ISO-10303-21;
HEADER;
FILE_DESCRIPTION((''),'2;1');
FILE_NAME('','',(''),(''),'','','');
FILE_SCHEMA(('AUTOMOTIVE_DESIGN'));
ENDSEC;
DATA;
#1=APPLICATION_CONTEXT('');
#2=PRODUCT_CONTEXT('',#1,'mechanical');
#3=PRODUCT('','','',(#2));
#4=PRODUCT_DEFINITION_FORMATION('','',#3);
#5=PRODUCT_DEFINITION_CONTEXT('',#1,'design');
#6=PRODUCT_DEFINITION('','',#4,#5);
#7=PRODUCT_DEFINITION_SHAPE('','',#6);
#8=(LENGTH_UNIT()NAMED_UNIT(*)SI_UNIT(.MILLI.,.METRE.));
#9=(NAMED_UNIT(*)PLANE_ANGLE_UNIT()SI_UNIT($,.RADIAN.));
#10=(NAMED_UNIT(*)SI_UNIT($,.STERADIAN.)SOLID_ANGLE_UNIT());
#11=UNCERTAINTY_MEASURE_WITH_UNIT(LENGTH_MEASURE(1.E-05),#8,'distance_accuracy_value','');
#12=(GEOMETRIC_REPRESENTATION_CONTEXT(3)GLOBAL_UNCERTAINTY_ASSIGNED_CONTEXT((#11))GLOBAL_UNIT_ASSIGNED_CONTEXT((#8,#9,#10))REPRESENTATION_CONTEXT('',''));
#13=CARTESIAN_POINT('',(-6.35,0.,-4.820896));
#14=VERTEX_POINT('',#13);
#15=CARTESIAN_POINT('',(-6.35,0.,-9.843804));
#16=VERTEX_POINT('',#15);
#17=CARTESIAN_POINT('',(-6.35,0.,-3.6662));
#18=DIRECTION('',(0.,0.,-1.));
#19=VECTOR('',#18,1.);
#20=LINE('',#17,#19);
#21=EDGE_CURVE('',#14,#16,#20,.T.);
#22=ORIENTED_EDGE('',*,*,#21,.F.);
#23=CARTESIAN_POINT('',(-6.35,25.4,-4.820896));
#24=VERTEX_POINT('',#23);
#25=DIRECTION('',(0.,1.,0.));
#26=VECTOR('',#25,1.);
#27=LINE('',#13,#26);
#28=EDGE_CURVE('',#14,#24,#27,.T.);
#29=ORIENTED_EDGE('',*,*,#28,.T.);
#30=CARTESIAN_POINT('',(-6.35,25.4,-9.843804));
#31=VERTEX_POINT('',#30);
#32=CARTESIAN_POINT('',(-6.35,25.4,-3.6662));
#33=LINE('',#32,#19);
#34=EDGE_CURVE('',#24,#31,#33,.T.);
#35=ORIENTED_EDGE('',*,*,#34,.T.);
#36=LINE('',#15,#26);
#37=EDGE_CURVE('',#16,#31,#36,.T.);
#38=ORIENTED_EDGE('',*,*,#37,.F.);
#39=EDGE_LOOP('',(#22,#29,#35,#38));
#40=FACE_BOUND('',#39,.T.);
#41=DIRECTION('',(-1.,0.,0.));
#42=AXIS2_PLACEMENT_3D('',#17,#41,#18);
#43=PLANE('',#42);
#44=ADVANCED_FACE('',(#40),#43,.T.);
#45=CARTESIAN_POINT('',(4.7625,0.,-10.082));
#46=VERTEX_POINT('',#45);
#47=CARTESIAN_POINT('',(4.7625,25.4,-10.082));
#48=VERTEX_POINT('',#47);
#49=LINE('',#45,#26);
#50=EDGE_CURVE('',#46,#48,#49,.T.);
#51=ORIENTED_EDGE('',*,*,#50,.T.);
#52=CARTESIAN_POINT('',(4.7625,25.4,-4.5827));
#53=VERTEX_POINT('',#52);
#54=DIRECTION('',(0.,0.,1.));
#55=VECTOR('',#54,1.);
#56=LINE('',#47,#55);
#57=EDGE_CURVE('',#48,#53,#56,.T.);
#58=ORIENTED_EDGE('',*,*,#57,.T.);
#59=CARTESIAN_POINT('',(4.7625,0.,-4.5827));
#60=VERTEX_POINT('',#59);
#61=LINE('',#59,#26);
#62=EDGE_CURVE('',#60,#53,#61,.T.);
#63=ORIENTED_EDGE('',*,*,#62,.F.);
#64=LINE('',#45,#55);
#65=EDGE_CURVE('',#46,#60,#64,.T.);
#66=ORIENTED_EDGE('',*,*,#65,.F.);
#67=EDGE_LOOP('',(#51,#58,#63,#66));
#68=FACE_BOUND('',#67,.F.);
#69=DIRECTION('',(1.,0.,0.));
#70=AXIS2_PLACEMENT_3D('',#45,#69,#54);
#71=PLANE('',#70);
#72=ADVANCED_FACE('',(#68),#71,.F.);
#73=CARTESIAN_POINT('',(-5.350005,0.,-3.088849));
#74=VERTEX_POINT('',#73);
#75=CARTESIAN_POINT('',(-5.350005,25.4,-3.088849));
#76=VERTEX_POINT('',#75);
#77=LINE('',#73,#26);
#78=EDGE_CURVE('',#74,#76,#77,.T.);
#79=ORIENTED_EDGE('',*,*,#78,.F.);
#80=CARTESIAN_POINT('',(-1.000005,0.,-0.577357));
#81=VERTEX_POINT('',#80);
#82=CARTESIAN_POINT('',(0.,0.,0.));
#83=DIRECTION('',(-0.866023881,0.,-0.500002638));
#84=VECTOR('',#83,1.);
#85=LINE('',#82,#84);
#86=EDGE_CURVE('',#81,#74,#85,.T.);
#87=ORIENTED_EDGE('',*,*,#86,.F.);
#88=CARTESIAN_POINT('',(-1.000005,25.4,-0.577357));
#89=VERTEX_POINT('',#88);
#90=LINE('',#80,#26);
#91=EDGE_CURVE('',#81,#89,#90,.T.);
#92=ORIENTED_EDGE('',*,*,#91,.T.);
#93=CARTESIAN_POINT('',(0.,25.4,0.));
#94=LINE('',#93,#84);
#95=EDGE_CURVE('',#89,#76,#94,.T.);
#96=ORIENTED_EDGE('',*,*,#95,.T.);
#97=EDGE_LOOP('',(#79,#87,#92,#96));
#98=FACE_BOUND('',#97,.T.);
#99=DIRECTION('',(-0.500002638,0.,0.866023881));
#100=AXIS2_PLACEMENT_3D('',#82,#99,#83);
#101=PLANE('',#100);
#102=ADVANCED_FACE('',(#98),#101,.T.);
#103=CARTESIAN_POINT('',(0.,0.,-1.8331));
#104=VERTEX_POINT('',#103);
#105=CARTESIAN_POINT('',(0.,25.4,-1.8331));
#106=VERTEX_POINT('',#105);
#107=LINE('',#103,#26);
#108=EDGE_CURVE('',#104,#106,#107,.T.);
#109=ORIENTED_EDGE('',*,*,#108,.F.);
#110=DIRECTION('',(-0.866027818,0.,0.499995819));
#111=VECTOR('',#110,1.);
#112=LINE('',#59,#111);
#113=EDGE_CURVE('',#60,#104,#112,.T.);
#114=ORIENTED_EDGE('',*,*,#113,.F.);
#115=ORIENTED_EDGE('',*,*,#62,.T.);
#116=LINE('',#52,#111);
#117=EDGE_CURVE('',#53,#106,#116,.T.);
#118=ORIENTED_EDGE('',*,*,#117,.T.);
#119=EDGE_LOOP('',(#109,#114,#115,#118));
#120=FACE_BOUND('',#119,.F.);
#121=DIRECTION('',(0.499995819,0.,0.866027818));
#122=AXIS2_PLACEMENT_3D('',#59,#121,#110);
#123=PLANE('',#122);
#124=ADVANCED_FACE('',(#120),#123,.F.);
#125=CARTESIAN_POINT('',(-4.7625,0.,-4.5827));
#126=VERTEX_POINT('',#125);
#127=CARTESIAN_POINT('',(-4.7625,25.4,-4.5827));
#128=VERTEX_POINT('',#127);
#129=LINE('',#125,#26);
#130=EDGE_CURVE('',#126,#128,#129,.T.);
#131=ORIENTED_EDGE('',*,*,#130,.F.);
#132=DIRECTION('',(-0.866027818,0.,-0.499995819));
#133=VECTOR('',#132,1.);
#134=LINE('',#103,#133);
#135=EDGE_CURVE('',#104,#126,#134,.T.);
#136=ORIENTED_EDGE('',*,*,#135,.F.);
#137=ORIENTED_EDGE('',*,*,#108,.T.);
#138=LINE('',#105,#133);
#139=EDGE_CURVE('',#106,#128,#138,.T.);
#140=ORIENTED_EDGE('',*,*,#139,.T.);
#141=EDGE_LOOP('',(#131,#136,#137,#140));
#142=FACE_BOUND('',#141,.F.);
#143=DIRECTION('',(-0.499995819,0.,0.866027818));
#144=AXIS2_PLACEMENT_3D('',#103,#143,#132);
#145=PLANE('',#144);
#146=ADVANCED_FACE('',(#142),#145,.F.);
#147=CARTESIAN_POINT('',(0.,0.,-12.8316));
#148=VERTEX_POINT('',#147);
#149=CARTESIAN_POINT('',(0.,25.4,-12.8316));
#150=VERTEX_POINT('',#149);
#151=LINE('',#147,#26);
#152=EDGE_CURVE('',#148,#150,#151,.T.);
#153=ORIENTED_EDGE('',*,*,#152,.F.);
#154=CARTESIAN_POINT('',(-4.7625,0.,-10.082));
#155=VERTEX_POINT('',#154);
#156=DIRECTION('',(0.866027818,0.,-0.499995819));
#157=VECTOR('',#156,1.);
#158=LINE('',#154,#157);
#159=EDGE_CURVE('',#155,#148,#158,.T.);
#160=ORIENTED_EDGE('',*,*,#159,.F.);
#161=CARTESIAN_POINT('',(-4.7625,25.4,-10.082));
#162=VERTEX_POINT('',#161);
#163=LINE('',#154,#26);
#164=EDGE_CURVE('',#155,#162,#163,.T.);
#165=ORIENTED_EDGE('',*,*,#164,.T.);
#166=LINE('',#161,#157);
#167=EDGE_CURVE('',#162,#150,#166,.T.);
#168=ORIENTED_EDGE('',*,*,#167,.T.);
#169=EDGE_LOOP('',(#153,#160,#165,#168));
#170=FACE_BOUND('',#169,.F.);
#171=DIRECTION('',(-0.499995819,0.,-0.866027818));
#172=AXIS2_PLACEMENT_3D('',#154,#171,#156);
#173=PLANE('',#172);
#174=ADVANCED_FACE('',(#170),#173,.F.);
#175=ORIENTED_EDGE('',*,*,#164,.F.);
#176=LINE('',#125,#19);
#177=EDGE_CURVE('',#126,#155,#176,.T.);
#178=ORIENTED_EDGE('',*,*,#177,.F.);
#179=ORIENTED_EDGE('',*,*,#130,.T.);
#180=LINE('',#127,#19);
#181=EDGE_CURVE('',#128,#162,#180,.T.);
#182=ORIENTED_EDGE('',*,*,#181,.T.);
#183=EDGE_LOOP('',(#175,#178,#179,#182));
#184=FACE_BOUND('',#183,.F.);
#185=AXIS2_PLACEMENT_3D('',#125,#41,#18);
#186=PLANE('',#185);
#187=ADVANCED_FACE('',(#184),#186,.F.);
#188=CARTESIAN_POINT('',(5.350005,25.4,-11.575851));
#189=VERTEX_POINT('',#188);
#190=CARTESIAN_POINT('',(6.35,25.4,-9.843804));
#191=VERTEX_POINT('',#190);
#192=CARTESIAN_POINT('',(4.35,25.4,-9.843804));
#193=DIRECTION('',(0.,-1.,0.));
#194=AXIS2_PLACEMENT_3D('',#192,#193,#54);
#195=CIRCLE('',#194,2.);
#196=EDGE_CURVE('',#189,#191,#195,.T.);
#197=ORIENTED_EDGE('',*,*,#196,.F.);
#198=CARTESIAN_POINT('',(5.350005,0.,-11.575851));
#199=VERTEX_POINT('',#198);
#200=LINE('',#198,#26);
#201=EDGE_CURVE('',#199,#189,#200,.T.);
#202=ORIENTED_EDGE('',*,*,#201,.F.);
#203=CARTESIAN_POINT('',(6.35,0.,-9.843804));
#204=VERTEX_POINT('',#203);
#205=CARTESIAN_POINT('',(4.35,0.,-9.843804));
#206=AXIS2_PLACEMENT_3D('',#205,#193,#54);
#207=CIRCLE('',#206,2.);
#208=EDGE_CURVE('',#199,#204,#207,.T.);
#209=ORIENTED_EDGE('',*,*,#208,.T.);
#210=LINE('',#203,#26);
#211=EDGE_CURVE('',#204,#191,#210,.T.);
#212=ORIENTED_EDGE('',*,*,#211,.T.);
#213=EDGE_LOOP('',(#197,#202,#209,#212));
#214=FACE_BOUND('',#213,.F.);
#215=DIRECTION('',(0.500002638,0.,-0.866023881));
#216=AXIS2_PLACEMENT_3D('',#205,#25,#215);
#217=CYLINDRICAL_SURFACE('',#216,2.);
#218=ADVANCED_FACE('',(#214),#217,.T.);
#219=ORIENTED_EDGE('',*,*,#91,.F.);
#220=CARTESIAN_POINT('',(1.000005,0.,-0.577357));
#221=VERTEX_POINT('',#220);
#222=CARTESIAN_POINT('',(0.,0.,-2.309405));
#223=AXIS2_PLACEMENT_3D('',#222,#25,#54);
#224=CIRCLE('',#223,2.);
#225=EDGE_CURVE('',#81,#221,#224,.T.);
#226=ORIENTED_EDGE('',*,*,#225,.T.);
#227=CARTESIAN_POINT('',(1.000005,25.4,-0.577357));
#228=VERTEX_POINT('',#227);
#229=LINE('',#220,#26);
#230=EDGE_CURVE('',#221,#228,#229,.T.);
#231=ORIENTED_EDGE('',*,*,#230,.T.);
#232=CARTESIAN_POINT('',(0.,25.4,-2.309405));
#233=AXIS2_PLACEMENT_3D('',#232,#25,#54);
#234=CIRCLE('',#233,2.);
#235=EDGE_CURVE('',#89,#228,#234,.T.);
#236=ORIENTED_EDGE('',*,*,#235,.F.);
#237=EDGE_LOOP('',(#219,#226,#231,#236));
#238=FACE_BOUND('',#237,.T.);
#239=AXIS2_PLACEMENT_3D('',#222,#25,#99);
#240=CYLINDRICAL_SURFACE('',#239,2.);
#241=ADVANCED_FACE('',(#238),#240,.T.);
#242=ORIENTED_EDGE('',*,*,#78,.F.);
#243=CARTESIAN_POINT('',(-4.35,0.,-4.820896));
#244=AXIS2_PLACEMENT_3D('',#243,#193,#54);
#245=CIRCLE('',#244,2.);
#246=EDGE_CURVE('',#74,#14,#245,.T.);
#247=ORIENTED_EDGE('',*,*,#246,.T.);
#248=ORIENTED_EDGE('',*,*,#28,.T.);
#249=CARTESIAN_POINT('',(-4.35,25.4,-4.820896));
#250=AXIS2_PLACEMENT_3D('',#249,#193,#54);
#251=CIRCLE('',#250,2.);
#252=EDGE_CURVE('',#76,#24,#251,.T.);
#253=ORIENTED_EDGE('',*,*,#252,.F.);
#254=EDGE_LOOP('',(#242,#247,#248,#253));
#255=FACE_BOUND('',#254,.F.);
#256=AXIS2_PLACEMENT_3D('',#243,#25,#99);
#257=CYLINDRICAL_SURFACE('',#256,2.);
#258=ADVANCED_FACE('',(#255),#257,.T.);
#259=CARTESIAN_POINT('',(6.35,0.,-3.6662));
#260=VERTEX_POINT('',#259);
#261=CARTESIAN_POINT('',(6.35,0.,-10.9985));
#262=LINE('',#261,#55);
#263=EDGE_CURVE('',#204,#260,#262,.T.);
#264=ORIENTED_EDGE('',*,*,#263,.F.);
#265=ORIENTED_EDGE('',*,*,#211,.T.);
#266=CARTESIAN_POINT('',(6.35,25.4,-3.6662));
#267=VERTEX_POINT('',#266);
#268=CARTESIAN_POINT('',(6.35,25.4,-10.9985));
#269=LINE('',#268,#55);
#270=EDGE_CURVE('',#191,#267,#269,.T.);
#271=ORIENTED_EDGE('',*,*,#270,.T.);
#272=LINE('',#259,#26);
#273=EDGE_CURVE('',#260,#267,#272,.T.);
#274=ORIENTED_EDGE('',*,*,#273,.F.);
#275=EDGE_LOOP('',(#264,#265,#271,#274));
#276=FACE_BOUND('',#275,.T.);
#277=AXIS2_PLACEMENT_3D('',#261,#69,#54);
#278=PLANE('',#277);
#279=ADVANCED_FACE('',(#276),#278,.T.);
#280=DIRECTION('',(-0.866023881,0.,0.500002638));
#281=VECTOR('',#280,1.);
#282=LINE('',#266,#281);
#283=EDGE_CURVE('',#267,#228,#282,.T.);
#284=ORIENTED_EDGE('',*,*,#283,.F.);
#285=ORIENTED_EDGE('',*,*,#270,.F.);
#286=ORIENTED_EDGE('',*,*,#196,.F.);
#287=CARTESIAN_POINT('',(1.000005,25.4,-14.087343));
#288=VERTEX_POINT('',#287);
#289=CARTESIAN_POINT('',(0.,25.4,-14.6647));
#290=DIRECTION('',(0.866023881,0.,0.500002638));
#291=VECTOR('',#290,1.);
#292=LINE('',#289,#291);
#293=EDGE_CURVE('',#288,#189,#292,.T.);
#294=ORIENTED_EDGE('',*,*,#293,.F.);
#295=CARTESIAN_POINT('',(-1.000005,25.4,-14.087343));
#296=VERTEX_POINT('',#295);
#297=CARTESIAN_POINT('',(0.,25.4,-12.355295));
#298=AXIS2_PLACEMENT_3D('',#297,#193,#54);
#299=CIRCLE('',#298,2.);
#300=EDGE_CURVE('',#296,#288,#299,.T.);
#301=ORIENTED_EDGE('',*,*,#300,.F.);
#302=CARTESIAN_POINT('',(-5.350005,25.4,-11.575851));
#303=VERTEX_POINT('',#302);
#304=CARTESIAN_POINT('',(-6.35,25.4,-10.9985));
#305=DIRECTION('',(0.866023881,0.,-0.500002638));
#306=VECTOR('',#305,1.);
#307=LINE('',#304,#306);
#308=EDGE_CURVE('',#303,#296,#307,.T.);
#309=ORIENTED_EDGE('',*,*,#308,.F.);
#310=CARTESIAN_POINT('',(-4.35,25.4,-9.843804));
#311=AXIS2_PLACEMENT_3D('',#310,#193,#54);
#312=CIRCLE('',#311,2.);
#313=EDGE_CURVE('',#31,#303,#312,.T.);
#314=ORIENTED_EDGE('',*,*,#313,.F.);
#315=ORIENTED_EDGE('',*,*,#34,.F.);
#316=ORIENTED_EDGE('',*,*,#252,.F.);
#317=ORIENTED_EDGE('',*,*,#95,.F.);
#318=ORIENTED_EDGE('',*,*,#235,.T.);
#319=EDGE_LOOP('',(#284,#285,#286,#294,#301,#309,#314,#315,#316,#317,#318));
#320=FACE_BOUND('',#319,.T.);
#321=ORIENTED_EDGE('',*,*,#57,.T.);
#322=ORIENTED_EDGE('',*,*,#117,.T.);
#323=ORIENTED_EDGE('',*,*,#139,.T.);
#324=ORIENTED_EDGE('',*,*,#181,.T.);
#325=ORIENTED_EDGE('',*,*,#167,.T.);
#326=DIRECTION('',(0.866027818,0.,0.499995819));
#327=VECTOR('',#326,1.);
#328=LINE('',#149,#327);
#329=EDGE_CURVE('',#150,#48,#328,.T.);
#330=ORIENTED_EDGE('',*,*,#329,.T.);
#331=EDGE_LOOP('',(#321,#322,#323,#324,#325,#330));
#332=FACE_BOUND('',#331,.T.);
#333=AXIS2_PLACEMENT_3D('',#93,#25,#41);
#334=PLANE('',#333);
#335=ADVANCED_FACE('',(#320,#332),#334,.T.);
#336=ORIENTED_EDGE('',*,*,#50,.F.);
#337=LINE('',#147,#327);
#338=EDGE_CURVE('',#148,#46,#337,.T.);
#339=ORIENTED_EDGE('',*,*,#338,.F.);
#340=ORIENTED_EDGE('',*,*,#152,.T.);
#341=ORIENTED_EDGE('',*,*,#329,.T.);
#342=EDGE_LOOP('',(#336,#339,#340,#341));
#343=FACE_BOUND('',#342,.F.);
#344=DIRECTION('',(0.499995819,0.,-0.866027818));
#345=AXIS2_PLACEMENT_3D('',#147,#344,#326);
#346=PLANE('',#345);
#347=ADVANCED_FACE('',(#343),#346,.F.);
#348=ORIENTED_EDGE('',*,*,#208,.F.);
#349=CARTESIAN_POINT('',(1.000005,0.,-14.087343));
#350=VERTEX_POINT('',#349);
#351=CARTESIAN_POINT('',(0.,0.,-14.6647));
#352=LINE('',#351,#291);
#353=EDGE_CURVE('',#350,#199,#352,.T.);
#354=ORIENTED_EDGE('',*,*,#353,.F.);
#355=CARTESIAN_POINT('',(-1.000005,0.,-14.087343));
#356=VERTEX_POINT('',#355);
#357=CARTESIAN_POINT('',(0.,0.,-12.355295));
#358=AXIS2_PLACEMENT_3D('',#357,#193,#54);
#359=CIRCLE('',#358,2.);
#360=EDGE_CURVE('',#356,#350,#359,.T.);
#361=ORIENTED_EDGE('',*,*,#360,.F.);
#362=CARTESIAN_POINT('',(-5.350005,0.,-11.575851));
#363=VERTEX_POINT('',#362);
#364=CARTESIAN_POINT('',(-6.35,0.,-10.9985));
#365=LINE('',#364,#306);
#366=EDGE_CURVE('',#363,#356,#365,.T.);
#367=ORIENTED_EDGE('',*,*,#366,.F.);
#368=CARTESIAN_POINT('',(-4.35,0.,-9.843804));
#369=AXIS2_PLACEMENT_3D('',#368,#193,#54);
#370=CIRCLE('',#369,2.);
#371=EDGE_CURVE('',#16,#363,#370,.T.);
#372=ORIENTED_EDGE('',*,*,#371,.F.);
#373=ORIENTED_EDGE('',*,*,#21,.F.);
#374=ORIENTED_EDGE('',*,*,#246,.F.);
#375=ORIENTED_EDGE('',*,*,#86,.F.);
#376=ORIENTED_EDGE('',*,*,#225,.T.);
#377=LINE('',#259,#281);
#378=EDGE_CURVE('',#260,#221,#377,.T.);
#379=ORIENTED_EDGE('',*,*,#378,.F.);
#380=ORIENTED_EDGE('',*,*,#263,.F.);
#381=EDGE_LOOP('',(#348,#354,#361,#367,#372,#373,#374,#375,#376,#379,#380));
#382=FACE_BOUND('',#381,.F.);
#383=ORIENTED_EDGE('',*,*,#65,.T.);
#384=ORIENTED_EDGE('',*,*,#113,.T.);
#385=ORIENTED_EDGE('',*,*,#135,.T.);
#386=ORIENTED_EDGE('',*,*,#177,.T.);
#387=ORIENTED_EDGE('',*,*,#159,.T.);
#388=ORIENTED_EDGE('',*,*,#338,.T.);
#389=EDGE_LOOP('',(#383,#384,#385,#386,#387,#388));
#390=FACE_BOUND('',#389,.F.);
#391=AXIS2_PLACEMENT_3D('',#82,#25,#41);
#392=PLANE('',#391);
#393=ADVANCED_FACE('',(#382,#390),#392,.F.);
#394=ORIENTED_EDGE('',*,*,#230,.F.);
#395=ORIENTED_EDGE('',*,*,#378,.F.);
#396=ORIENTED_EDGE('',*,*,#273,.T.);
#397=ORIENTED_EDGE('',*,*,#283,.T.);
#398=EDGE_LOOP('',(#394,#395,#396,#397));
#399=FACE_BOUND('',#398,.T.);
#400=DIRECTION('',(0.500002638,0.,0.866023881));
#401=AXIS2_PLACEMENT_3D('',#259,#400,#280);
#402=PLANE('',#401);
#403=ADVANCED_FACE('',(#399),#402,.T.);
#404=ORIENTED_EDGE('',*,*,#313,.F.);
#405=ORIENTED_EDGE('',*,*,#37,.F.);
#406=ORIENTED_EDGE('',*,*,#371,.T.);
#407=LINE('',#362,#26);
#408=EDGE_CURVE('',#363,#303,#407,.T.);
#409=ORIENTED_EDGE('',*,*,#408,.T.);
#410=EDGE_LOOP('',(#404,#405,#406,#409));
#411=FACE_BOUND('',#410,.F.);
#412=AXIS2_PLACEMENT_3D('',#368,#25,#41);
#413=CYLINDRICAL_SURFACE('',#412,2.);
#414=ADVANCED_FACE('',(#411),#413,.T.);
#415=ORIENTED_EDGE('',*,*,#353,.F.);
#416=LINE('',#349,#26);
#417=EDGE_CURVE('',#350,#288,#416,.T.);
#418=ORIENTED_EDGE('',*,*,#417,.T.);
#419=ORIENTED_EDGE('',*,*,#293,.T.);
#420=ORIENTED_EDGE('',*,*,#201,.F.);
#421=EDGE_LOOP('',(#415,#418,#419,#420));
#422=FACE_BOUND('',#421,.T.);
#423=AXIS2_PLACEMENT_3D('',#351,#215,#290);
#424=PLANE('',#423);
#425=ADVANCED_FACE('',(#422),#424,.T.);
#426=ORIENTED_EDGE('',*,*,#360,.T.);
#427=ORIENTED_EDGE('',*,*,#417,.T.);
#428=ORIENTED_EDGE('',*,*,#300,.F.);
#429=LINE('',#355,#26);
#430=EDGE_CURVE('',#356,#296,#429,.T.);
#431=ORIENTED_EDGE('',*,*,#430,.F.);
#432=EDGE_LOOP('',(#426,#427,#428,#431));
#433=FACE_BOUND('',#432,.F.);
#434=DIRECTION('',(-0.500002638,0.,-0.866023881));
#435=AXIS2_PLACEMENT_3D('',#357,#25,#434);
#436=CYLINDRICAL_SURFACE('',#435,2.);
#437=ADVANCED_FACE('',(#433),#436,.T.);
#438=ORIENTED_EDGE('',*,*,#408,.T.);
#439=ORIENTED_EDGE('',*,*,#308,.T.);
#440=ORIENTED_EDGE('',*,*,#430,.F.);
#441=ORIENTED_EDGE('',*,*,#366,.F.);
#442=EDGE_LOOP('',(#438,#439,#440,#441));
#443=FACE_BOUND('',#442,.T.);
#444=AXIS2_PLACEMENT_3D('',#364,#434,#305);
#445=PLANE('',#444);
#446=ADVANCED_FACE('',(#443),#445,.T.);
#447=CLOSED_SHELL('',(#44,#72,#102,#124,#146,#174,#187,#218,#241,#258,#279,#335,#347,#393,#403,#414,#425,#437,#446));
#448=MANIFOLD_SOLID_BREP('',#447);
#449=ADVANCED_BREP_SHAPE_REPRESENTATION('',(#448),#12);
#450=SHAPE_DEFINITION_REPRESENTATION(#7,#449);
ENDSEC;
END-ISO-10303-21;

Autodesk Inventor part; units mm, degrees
ref_plane "YZ Plane" through (0, 0, 0) normal (1, 0, 0) x (0, 1, 0)
ref_plane "XZ Plane" through (0, 0, 0) normal (0, 1, 0) x (-1, 0, 0)
ref_plane "XY Plane" through (0, 0, 0) normal (0, 0, 1) x (1, 0, 0)
sketch "Sketch1" plane through (0, 0, 0) normal (0, 1, 0) x (-1, 0, 0)
  line L0 (0, 0) -> (6.35, -3.6662)
  line L1 (6.35, -3.6662) -> (6.35, -10.9985)
  line L2 (6.35, -10.9985) -> (0, -14.6647)
  line L3 (0, -14.6647) -> (-6.35, -10.9985)
  line L4 (-6.35, -10.9985) -> (-6.35, -3.6662)
  line L5 (-6.35, -3.6662) -> (0, 0)
  line L6 (0, 0) -> (0, -14.6647) construction
  line L7 (6.35, -10.9985) -> (-6.35, -3.6662) construction
  line L8 (6.35, -3.6662) -> (-6.35, -10.9985) construction
  line L9 (0, -1.8331) -> (4.7625, -4.5827)
  line L10 (4.7625, -4.5827) -> (4.7625, -10.082)
  line L11 (4.7625, -10.082) -> (0, -12.8316)
  line L12 (0, -12.8316) -> (-4.7625, -10.082)
  line L13 (-4.7625, -10.082) -> (-4.7625, -4.5827)
  line L14 (-4.7625, -4.5827) -> (0, -1.8331)
  line L15 (4.7625, -4.5827) -> (-4.7625, -10.082) construction
  line L16 (0, -12.8316) -> (0, -1.8331) construction
  line L17 (4.7625, -10.082) -> (-4.7625, -4.5827) construction
  point P0 (0, -7.3323)
  dimension "d0" = 12.7
  dimension "d2" = 9.525
extrude "Extrusion1" add sketch "Sketch1" along normal blind 25.4
fillet "Fillet1" radius 2 5 edges at (0, 12.7, 0) (-6.35, 12.7, -3.6662) (-6.35, 12.7, -10.9985) (0, 12.7, -14.6647) (6.35, 12.7, -10.9985)
properties part number "arm wheel spacer"
